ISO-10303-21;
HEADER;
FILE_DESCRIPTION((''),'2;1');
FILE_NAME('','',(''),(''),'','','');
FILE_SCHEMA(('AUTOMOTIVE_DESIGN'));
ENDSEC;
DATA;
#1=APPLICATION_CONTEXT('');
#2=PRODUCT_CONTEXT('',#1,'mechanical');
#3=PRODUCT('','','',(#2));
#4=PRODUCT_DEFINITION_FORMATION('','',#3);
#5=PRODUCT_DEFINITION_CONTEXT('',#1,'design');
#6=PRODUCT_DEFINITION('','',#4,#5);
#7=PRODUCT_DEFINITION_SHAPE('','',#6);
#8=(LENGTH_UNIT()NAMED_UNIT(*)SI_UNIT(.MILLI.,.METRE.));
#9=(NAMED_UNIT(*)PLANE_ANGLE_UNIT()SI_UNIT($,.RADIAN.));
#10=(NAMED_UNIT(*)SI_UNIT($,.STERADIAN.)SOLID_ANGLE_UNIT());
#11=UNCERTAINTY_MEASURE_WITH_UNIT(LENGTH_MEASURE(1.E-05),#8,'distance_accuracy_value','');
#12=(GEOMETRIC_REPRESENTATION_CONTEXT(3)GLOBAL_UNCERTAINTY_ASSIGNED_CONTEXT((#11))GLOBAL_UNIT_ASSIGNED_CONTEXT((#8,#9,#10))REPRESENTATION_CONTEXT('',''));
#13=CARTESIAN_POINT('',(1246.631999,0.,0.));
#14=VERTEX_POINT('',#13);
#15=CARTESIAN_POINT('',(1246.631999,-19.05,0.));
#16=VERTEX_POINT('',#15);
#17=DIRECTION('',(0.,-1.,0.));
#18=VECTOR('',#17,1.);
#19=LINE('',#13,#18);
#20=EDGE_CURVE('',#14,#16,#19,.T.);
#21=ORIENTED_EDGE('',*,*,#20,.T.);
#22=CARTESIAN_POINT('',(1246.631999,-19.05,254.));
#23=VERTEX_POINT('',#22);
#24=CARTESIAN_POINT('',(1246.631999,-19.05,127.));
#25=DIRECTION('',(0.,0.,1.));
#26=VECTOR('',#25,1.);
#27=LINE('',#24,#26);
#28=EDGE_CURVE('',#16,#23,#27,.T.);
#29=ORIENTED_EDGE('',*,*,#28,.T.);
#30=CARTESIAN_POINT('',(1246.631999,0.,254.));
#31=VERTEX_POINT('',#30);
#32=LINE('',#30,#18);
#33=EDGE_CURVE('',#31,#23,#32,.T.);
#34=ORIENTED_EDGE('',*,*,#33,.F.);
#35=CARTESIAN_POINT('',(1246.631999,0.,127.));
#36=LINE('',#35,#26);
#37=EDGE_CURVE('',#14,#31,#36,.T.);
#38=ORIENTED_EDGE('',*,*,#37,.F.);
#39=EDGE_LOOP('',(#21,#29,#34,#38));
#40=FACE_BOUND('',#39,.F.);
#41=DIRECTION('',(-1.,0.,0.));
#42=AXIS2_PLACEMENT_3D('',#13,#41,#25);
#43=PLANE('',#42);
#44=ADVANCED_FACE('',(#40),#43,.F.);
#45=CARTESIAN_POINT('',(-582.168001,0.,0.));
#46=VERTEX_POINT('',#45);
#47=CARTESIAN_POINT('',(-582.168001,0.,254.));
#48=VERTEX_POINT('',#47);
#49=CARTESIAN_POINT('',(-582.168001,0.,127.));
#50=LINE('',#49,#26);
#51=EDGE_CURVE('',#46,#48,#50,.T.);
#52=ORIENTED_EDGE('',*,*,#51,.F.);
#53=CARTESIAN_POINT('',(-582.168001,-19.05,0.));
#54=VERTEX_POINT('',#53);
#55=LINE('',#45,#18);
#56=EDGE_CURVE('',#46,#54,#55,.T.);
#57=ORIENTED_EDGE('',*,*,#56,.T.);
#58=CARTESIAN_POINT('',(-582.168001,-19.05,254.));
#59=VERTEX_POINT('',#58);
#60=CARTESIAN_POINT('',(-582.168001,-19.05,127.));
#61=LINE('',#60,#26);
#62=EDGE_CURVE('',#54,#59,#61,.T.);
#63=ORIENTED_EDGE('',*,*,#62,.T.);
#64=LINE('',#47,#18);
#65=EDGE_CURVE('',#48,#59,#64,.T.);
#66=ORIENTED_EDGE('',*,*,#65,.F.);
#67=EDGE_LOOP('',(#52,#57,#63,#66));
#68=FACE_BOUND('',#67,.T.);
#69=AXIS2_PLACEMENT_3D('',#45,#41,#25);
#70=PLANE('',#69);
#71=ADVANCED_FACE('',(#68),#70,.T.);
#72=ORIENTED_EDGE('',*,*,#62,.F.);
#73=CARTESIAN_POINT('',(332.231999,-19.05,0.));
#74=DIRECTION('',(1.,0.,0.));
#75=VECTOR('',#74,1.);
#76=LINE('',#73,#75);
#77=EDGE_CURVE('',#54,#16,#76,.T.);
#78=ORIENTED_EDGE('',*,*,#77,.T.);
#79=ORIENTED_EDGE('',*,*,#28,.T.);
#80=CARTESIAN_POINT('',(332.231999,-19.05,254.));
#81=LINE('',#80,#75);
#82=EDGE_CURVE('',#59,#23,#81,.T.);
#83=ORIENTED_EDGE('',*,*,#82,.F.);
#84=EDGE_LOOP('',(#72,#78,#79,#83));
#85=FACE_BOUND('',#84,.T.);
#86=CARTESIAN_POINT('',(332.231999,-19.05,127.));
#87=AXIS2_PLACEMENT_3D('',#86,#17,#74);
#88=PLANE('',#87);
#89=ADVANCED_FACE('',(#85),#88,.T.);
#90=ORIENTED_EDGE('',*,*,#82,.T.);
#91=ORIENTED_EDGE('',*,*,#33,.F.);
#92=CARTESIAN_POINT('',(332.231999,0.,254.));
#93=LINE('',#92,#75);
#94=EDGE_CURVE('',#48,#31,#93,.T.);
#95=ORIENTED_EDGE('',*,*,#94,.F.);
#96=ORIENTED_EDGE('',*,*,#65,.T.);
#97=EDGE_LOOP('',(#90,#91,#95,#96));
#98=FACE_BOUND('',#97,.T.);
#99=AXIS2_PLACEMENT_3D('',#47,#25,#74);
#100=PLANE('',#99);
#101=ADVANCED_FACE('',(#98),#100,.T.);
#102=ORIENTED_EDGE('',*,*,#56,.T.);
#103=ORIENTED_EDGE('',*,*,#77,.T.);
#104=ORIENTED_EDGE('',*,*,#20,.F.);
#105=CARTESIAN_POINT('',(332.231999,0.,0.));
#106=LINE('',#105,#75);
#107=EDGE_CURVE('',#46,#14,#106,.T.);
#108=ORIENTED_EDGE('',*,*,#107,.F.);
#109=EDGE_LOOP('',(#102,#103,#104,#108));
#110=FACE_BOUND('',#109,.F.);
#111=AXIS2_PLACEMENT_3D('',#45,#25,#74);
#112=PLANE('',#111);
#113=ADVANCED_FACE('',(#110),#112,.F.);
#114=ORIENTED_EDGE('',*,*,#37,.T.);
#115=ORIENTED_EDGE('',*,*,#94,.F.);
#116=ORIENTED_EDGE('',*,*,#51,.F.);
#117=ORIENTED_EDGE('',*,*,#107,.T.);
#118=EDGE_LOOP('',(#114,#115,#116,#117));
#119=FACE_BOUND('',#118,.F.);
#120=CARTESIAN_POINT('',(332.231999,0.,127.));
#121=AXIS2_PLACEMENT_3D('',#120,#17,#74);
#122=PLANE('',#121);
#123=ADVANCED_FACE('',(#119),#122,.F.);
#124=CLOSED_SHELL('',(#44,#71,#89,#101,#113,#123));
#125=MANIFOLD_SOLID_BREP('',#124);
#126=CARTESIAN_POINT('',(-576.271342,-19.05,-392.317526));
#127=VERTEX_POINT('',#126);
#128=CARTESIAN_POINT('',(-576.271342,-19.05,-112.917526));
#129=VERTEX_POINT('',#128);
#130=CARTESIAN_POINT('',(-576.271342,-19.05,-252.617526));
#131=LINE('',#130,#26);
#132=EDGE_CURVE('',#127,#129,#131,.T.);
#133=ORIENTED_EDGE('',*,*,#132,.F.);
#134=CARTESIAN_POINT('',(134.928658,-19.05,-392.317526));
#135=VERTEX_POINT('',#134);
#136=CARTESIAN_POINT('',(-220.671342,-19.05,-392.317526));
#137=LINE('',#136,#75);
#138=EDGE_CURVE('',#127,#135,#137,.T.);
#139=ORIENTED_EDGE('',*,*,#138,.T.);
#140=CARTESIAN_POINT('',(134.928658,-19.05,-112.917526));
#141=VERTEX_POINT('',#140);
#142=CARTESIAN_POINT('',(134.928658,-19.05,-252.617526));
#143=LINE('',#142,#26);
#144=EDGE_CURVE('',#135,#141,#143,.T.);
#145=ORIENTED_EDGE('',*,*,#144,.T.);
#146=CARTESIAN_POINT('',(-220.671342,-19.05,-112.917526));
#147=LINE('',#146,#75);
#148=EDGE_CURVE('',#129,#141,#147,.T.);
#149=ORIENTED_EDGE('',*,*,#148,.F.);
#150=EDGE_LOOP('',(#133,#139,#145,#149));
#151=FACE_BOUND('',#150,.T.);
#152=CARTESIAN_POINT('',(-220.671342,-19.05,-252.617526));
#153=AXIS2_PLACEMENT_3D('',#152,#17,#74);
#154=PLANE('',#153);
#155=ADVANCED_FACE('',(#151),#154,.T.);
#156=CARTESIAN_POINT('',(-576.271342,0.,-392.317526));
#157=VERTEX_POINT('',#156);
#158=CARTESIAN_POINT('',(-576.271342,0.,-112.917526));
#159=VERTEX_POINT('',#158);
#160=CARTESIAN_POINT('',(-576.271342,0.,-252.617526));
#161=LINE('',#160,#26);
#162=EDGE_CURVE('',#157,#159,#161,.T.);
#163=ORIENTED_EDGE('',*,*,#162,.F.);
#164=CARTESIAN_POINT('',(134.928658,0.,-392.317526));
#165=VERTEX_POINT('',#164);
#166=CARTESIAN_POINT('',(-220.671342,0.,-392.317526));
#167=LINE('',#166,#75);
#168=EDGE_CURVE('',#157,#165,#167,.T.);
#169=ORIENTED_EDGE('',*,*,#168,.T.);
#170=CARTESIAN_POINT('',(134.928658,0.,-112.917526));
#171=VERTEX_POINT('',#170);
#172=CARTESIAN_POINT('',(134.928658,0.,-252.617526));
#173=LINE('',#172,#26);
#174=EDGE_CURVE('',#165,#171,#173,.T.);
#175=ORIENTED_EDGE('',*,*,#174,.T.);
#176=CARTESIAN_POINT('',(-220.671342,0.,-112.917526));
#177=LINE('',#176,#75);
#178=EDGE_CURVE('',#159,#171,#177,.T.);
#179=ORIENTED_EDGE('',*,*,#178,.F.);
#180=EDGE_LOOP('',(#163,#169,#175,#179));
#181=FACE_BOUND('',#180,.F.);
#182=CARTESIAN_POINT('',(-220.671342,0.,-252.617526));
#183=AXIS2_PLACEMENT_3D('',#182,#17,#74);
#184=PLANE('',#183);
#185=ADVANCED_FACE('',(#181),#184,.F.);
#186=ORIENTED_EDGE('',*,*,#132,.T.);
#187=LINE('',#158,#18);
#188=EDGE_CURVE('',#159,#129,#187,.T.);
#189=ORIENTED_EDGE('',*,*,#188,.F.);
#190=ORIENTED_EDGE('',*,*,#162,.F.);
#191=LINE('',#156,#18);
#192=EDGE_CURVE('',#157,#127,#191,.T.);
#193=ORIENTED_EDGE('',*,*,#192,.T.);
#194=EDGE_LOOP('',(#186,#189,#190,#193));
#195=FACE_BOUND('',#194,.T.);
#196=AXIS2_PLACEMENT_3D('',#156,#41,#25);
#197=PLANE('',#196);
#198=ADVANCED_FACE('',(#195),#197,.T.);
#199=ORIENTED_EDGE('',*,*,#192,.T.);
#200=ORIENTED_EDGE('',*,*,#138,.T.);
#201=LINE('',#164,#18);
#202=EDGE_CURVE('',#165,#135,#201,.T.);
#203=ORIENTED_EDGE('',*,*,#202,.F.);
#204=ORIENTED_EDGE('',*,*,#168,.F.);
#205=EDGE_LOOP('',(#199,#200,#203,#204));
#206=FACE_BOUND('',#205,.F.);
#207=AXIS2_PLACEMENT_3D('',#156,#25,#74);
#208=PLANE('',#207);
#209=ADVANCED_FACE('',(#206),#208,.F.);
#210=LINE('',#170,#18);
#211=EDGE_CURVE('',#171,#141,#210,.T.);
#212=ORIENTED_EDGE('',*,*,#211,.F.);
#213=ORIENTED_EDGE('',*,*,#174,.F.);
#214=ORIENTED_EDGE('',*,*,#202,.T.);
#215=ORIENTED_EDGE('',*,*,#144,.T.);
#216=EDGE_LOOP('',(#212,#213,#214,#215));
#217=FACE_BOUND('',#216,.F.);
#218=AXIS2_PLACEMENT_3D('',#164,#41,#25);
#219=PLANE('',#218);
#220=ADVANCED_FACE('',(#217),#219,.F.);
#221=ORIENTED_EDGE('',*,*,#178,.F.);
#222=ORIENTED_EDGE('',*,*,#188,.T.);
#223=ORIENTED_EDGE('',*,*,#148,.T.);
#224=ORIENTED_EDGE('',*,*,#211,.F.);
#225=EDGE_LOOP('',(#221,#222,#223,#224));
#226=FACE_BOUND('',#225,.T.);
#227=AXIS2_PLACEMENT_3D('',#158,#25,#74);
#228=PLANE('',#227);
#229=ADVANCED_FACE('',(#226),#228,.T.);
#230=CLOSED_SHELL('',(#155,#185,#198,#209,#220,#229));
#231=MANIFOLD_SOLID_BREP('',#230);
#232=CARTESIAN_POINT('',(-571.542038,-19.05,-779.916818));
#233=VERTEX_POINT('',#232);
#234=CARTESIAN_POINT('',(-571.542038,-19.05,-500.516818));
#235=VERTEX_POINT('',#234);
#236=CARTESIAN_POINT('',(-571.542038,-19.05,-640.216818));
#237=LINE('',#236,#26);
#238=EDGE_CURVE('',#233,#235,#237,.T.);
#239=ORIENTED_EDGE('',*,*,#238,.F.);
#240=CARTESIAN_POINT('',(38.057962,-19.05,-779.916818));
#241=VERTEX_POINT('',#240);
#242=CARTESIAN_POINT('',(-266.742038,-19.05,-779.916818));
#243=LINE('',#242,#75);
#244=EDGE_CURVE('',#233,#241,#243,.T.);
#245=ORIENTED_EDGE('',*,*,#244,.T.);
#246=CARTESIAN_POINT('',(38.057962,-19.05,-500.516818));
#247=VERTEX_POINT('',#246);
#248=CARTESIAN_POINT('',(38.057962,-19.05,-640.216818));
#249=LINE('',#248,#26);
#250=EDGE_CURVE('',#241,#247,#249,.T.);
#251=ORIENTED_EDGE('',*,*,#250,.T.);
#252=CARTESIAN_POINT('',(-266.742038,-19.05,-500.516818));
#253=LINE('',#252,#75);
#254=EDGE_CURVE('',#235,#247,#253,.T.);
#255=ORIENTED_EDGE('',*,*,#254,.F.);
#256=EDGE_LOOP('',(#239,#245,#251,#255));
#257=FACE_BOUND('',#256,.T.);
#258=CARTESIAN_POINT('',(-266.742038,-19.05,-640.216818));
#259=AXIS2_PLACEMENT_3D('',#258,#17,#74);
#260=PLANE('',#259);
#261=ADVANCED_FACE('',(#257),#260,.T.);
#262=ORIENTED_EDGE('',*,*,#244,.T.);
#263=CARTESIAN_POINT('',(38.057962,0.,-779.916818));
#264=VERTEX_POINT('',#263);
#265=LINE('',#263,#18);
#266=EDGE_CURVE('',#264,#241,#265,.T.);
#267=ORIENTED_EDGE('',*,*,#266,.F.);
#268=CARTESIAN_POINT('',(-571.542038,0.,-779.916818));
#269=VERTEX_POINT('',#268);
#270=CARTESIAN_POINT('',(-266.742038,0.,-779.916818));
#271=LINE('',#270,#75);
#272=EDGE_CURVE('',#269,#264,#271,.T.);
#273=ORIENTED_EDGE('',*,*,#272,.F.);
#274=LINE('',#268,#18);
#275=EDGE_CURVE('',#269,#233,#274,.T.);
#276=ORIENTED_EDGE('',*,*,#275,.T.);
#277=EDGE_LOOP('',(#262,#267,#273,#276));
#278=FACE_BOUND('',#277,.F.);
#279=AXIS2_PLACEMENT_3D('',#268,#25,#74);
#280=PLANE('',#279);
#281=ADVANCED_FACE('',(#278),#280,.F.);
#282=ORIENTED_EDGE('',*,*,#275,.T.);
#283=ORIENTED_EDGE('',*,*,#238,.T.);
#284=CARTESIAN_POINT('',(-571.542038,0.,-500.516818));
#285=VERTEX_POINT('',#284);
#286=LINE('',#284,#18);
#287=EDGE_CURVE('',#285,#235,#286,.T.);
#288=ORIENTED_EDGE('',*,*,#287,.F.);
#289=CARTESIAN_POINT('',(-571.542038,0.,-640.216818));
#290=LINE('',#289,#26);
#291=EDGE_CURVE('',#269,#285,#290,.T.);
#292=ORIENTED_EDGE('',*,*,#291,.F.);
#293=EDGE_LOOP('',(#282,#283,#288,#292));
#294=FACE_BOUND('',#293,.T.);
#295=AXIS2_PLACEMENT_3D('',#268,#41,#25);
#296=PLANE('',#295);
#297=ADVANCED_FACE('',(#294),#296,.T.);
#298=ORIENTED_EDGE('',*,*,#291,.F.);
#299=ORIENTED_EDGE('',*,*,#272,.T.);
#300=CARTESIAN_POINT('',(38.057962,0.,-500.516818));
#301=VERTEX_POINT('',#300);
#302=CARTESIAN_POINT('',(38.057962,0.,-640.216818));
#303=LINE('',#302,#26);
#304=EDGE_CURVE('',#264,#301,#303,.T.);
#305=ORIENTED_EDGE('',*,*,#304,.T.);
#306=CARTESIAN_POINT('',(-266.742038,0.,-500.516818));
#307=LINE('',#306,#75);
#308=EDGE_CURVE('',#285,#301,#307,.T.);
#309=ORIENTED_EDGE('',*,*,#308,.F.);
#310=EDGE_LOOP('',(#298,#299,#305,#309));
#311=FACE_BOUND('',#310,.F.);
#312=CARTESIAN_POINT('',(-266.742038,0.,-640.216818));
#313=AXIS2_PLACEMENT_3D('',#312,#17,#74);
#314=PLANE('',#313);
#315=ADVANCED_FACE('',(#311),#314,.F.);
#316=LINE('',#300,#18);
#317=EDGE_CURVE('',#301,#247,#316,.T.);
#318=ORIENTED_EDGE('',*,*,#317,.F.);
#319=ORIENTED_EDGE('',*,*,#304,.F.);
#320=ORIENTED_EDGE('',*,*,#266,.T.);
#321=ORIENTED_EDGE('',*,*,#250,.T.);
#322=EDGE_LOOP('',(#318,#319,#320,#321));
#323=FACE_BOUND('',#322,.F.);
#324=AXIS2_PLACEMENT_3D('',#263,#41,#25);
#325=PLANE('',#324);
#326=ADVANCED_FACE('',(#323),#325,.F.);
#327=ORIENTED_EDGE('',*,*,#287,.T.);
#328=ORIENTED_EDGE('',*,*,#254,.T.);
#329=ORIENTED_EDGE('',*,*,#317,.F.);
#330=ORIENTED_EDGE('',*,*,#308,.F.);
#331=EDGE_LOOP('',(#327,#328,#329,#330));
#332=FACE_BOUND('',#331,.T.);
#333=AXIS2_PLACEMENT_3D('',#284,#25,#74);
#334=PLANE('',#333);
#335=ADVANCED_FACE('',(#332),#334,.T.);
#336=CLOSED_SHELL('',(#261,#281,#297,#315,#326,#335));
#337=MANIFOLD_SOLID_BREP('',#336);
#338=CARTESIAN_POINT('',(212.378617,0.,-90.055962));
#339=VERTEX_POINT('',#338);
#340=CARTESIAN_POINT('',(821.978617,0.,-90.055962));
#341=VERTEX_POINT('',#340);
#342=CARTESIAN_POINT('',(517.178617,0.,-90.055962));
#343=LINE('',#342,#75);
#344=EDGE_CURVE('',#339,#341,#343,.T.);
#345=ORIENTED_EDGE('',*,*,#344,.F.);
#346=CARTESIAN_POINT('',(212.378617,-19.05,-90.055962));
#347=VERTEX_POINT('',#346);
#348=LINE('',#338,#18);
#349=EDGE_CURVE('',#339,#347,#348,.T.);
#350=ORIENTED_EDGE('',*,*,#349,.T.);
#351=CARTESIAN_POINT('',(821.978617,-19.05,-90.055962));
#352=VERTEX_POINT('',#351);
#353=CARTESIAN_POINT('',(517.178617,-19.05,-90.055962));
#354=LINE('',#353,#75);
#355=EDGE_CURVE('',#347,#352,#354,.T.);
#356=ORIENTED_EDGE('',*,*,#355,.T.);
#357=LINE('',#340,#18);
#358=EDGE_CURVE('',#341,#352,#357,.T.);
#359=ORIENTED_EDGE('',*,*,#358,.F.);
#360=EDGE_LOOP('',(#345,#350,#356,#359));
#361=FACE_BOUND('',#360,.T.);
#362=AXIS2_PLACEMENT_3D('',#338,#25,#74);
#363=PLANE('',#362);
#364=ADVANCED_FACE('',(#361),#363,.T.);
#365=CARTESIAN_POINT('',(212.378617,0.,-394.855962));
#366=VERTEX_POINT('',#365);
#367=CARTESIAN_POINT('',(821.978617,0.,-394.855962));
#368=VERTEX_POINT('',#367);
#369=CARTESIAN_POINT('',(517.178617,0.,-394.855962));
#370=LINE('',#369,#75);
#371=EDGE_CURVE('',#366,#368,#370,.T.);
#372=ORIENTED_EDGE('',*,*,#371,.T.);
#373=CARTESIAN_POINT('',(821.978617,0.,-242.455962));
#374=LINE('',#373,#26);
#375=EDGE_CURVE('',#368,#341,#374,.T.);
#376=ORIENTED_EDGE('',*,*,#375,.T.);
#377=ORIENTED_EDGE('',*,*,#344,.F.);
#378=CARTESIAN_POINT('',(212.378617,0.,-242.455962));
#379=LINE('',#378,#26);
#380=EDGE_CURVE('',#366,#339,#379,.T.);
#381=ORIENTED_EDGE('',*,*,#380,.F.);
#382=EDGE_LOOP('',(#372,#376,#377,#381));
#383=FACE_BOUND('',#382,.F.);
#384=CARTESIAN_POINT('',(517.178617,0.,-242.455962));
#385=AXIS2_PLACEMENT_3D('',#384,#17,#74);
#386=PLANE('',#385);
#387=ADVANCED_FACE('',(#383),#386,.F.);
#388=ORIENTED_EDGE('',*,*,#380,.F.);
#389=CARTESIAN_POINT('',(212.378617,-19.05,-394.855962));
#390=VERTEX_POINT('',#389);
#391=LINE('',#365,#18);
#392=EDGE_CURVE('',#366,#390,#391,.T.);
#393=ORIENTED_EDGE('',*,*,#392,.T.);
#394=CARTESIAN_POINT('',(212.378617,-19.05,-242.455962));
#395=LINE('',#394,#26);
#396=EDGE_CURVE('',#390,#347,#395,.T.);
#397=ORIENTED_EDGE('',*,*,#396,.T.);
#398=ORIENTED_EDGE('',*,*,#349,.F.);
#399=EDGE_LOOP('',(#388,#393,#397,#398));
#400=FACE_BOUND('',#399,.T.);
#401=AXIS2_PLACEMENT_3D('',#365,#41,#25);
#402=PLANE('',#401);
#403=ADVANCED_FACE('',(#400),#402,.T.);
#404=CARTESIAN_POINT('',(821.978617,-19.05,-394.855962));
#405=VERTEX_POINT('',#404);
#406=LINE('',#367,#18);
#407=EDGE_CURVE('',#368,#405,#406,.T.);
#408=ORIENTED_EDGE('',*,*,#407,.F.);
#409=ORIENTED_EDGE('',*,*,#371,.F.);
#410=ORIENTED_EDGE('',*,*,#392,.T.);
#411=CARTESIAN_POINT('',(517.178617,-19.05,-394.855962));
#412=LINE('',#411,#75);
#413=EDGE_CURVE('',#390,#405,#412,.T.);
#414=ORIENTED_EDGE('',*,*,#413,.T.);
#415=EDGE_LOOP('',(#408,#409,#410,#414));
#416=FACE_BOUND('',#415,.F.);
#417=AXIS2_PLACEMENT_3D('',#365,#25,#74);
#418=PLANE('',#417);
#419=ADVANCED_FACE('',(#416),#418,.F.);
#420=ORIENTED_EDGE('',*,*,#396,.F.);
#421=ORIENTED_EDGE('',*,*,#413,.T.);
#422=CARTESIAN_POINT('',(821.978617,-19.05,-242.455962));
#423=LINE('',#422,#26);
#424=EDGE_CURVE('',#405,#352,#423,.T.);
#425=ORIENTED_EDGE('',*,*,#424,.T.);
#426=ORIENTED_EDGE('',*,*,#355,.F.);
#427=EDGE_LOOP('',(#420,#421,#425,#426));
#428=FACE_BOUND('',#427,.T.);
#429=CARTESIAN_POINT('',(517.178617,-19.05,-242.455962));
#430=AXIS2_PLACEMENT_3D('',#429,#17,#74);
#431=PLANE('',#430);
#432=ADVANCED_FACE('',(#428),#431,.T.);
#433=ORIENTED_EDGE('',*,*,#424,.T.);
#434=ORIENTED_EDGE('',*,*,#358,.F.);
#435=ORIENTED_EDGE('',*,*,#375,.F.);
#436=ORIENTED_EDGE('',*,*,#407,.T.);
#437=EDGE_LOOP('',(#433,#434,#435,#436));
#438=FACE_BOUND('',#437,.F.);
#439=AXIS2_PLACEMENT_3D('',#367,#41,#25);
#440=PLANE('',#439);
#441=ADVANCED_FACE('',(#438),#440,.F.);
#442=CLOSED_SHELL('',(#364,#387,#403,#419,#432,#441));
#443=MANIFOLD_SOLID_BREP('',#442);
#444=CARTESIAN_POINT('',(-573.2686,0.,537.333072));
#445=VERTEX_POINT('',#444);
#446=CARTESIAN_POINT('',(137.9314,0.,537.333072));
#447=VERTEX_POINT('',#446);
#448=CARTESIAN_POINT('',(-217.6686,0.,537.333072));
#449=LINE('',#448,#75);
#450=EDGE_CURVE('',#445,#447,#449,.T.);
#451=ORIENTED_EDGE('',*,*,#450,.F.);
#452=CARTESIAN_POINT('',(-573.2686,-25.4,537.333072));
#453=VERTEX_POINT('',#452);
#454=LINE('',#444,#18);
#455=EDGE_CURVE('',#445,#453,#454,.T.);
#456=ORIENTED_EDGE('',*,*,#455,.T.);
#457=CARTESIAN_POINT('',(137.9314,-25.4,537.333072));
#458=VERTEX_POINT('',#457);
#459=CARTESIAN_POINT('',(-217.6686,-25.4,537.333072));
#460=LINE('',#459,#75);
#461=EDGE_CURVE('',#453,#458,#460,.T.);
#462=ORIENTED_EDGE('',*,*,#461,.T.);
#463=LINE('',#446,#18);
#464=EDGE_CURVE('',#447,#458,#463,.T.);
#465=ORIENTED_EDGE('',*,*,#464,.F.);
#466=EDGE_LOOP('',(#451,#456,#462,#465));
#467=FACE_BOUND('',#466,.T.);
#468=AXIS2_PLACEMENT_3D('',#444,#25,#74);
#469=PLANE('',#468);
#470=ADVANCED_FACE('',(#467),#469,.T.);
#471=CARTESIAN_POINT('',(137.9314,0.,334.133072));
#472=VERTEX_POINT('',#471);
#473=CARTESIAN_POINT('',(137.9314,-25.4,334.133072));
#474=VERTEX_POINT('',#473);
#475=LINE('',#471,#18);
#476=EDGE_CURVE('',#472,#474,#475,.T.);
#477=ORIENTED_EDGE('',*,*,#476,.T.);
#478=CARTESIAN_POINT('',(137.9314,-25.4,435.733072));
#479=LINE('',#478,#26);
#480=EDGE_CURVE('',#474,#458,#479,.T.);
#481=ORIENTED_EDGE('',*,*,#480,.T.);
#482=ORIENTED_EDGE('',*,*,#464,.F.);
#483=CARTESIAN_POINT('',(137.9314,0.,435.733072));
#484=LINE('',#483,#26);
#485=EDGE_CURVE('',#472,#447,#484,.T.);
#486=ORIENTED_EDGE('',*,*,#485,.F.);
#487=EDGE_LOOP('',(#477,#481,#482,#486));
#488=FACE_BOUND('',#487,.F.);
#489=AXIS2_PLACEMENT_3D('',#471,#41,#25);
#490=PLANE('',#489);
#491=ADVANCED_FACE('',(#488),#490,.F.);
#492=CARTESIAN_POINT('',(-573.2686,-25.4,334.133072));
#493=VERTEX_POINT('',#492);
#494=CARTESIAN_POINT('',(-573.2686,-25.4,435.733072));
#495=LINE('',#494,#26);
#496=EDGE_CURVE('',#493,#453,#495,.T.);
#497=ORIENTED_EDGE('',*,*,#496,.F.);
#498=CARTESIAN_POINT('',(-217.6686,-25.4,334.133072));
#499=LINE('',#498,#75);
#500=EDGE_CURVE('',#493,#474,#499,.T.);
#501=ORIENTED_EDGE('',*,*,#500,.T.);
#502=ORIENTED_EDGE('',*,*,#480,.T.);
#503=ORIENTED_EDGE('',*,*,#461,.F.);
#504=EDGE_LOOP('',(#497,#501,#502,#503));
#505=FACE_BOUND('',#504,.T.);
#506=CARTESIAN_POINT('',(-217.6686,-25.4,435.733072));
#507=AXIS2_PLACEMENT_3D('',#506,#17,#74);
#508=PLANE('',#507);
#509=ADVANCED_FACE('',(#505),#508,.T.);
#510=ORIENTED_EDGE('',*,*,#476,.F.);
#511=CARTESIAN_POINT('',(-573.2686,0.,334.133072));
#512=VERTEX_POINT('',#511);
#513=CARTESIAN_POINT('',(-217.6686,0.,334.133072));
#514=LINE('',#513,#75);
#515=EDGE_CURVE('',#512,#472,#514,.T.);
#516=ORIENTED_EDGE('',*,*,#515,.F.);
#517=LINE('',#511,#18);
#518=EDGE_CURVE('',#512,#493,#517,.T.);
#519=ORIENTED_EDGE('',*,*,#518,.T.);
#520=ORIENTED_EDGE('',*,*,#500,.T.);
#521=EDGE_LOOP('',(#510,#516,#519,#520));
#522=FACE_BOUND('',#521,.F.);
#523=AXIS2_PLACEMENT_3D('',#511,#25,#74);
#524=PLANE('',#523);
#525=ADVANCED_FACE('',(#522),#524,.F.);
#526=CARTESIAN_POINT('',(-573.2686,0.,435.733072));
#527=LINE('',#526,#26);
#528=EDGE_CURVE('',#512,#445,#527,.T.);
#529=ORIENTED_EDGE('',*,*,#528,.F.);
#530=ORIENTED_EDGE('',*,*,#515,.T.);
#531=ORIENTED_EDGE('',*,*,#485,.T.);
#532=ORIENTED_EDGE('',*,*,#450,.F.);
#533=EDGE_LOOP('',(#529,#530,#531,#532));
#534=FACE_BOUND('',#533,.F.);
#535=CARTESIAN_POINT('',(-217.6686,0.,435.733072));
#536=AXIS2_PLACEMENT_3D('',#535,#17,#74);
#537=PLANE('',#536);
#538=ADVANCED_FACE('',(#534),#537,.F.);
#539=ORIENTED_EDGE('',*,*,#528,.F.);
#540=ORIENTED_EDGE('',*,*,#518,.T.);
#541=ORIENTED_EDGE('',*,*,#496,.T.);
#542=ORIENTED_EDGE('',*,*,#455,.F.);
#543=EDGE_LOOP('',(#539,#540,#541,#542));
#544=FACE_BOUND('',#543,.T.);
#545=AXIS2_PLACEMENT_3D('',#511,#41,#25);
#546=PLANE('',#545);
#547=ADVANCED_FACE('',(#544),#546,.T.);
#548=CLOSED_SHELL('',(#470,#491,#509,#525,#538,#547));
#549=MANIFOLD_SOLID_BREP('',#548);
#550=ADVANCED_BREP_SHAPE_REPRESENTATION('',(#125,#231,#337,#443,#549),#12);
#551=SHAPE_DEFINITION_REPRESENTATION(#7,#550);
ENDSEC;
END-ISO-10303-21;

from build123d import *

# Parameters (mm, degrees)
F0_W     = 1828.8
F0_H     = 254
F1_DEPTH = 19.05
F2_W     = 711.2
F2_H     = 279.4
F3_DEPTH = 19.05
F4_W     = 609.6
F4_H     = 304.8
F5_DEPTH = 19.05
F6_W     = 609.6
F6_H     = 279.4
F7_DEPTH = 19.05
F8_W     = 711.2
F8_H     = 203.2
F9_DEPTH = 25.4


with BuildPart() as f1:
    # F0 (on Front) → F1 (new body)
    with BuildSketch(Plane.XZ):
        with Locations((332.231999, 127)):
            Rectangle(F0_W, F0_H)
    extrude(amount=F1_DEPTH)


with BuildPart() as f3:
    # F2 (on Front) → F3 (new body)
    with BuildSketch(Plane.XZ):
        with Locations((-220.671342, -252.617526)):
            Rectangle(F2_W, F2_H)
    extrude(amount=F3_DEPTH)


with BuildPart() as f5:
    # F4 (on Front) → F5 (new body)
    with BuildSketch(Plane.XZ):
        with Locations((517.178617, -242.455962)):
            Rectangle(F4_W, F4_H)
    extrude(amount=F5_DEPTH)


with BuildPart() as f7:
    # F6 (on Front) → F7 (new body)
    with BuildSketch(Plane.XZ):
        with Locations((-266.742038, -640.216818)):
            Rectangle(F6_W, F6_H)
    extrude(amount=F7_DEPTH)


with BuildPart() as f9:
    # F8 (on Front) → F9 (new body)
    with BuildSketch(Plane.XZ):
        with Locations((-217.6686, 435.733072)):
            Rectangle(F8_W, F8_H)
    extrude(amount=F9_DEPTH)


solid = Compound([f1.part, f3.part, f5.part, f7.part, f9.part])
